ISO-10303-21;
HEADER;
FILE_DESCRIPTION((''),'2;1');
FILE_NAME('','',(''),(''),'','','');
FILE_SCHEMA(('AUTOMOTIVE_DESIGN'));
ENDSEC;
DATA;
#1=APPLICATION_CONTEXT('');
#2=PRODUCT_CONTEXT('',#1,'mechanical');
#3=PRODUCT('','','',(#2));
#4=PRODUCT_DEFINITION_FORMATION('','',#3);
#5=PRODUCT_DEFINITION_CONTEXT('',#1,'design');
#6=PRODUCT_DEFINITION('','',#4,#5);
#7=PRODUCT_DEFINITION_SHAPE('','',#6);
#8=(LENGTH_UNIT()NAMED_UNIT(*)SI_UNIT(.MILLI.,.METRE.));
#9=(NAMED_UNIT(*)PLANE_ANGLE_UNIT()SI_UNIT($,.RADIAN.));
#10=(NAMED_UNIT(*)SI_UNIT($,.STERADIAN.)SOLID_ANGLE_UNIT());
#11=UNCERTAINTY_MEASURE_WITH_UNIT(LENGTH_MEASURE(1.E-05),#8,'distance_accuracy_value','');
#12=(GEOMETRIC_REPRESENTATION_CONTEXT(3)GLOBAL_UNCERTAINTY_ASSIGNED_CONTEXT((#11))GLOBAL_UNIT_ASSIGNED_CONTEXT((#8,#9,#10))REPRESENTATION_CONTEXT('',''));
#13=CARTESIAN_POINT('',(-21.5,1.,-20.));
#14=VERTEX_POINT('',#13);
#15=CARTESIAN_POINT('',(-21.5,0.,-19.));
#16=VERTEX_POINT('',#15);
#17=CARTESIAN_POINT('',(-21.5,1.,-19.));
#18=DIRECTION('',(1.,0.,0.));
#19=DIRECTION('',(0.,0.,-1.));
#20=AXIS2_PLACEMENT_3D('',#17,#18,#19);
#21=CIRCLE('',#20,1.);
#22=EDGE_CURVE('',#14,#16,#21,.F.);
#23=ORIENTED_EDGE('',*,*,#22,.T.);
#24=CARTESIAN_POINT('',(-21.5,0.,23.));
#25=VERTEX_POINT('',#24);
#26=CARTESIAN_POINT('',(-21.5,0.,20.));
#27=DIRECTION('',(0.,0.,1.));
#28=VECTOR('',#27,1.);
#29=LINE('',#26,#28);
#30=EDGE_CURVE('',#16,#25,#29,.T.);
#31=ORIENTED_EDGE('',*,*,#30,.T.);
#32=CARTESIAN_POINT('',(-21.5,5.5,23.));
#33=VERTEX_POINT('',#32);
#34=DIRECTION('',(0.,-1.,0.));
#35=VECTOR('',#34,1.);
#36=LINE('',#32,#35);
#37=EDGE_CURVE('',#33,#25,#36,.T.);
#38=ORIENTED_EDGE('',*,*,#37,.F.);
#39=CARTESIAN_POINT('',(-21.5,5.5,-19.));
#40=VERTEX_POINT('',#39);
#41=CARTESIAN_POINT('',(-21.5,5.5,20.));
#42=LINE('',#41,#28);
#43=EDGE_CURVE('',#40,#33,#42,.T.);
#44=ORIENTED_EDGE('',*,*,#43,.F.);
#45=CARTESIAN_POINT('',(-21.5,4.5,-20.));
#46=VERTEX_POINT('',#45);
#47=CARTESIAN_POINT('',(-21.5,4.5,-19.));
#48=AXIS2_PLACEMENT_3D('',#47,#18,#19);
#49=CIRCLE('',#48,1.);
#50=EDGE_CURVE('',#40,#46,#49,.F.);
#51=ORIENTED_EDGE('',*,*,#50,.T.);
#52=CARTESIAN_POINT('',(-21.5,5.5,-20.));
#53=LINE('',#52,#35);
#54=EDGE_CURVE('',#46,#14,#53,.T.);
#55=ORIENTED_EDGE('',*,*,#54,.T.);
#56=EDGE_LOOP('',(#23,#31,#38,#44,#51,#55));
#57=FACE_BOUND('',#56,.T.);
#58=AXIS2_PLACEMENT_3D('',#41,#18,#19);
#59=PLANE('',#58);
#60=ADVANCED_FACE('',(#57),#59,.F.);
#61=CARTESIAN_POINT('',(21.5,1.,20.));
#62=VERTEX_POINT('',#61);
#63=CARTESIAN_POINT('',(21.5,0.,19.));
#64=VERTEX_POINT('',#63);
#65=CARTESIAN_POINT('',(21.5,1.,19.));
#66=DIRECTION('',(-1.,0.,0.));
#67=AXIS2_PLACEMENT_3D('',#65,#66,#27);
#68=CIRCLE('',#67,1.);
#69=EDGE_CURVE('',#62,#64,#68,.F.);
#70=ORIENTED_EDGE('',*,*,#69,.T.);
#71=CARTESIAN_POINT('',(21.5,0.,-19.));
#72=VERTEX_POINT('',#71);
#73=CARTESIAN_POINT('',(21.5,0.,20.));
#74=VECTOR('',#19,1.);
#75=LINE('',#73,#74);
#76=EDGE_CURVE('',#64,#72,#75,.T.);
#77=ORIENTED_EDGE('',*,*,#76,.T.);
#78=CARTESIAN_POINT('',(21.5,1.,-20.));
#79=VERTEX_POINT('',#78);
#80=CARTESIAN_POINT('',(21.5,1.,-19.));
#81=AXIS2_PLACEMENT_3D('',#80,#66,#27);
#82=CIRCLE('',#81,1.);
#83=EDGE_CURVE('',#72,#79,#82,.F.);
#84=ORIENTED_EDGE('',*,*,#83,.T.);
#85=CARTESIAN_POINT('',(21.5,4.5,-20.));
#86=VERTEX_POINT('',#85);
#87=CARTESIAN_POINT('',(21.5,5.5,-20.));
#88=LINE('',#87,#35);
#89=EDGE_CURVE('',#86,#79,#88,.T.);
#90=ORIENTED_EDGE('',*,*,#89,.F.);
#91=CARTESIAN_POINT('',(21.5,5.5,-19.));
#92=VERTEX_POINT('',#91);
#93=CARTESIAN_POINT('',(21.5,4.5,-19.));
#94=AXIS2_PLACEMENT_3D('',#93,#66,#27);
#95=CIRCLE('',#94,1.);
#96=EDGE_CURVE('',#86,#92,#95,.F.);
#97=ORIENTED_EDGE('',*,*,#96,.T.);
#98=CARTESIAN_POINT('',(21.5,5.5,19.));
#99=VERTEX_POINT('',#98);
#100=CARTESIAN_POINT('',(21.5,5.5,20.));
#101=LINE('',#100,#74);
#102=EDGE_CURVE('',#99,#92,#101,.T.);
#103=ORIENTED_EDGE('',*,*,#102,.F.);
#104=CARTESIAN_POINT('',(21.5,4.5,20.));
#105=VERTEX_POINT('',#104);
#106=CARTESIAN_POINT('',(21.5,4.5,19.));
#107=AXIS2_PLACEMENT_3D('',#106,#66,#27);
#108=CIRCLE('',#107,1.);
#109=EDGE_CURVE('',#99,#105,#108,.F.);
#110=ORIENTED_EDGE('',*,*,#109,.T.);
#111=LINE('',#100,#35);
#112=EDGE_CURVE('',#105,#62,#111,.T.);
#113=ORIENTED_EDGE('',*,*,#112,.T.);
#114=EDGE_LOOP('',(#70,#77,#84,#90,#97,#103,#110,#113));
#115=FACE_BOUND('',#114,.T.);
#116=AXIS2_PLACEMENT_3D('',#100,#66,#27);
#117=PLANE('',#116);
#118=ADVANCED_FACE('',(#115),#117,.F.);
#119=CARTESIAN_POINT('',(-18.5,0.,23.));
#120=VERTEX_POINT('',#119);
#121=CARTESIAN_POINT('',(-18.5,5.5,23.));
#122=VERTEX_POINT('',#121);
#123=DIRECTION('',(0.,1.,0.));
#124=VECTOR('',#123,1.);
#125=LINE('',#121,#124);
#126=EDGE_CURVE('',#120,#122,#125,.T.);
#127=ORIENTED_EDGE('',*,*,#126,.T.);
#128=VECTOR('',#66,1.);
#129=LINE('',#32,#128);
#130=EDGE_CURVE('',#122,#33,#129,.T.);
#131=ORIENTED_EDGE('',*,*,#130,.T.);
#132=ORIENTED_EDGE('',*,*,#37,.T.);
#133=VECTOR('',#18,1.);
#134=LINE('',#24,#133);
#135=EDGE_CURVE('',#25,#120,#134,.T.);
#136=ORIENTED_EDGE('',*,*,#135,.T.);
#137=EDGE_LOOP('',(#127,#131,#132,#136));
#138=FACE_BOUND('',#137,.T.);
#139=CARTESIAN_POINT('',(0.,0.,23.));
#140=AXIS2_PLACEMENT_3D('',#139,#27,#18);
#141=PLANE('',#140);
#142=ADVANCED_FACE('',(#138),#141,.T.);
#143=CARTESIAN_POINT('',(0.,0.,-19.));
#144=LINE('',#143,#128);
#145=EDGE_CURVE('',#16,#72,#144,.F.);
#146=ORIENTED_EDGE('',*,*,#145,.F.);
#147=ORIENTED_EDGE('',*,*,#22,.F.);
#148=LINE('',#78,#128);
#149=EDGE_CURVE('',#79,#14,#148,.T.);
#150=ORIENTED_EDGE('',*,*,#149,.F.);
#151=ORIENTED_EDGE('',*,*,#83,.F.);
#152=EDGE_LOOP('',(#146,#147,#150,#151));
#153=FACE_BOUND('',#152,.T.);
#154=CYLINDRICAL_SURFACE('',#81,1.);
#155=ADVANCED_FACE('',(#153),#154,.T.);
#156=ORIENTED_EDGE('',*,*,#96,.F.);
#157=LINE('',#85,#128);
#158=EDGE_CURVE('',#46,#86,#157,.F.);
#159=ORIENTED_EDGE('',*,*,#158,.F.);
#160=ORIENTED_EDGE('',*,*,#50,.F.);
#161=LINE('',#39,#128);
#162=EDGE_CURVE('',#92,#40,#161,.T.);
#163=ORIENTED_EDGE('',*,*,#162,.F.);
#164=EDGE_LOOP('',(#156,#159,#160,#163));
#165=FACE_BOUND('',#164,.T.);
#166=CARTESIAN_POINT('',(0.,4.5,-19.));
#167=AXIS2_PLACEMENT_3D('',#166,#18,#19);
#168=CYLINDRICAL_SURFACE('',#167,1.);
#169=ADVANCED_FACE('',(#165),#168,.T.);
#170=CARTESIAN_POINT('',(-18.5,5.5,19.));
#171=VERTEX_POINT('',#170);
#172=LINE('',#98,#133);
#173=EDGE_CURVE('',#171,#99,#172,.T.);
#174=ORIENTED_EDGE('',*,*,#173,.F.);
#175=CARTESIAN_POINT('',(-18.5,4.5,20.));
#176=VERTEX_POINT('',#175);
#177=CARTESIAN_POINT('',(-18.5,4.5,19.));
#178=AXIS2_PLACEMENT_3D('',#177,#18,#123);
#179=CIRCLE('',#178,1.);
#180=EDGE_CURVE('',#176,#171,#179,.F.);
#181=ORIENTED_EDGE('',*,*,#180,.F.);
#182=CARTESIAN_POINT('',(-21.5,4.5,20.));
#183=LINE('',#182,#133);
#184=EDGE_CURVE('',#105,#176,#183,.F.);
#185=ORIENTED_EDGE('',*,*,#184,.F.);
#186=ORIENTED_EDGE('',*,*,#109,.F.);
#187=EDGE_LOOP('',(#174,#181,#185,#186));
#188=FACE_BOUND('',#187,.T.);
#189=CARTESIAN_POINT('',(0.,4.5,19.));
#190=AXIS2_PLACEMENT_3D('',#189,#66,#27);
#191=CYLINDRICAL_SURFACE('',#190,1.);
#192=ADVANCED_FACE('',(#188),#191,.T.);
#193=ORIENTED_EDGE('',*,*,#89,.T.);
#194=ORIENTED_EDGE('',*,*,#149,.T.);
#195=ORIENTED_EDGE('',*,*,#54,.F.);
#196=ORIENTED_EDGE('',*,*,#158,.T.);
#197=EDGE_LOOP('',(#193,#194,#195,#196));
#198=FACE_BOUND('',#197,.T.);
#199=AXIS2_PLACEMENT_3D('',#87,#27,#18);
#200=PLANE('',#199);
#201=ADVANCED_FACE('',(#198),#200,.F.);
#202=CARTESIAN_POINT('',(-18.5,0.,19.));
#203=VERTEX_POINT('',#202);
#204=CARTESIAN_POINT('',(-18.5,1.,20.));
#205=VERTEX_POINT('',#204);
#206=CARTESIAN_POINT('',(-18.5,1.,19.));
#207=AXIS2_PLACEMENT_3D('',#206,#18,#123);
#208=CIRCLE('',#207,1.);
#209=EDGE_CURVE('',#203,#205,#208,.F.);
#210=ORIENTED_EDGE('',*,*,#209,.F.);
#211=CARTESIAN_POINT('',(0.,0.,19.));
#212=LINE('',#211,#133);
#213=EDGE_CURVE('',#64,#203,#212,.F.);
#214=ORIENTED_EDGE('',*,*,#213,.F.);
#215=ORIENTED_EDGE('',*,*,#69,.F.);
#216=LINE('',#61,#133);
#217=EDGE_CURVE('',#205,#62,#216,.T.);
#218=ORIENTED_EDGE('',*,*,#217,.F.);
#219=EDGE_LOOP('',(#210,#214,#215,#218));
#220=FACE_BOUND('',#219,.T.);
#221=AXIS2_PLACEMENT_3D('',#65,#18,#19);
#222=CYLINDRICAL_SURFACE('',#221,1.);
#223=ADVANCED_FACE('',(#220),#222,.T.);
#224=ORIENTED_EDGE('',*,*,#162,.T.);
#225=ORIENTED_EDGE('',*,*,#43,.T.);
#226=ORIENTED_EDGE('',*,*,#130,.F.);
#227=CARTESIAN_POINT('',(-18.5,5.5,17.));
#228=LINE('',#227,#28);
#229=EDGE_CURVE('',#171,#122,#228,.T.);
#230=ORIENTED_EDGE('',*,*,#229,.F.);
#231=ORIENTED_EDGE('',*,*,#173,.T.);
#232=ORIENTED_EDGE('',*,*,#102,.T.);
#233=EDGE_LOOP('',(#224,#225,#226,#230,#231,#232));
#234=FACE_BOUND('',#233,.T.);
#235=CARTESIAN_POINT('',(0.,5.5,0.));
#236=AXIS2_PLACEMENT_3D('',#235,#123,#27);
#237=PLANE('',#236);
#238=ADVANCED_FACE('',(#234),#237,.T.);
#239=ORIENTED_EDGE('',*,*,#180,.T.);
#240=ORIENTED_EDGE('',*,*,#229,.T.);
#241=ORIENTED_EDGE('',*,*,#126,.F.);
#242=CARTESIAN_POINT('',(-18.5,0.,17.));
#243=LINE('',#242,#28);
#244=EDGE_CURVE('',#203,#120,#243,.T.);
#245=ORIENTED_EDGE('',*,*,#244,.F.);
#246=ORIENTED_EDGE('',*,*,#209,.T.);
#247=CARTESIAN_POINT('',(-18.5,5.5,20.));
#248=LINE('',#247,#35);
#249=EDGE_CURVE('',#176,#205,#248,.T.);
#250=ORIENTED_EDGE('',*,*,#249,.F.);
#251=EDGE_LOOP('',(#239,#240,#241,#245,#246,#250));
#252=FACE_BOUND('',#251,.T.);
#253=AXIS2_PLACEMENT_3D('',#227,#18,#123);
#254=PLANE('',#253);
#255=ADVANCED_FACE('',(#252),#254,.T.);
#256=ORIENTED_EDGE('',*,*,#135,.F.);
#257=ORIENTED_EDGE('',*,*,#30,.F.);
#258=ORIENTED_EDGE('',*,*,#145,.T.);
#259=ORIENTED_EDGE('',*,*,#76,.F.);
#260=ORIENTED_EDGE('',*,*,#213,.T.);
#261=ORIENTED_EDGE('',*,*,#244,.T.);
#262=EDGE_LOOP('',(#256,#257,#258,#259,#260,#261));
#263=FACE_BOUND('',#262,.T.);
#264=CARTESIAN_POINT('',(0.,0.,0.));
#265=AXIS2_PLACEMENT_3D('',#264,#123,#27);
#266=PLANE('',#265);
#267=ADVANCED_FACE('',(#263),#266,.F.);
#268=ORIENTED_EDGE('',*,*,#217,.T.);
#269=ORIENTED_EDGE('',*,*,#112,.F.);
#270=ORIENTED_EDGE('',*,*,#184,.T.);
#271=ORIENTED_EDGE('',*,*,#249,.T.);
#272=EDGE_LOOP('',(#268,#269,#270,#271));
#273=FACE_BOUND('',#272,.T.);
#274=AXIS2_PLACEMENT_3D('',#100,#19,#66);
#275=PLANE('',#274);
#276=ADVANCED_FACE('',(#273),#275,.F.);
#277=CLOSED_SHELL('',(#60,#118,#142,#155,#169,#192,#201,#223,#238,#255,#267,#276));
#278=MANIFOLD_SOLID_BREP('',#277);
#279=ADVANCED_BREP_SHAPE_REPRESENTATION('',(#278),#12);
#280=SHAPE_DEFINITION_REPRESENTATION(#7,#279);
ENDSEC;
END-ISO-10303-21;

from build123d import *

# Parameters (mm, degrees)
SKETCH1_W                = 43
SKETCH1_H                = 40
BOSS_EXTRUDE1_DEPTH      = 5.5
FILLET1_R                = 1
SKETCH2_W                = 3
SKETCH2_H                = 5.5
BOSS_EXTRUDE2_DEPTH      = 3
BOSS_EXTRUDE2_DEPTH_BACK = 3


with BuildPart() as part:
    # Sketch1 → Boss-Extrude1 (new body)
    with BuildSketch(Plane(origin=(0, 0, 0), x_dir=(1, 0, 0), z_dir=(0, 1, 0))):
        Rectangle(SKETCH1_W, SKETCH1_H)
    extrude(amount=BOSS_EXTRUDE1_DEPTH)

    # Fillet1
    fillet1_edges = [part.edges().sort_by_distance(p)[0] for p in [
        (0, 5.5, -20),
        (0, 0, -20),
        (0, 0, 20),
        (0, 5.5, 20),
    ]]
    fillet(fillet1_edges, radius=FILLET1_R)

    # Sketch2 → Boss-Extrude2 (add, two sides)
    with BuildSketch(Plane.XY.offset(20)) as boss_extrude2_sk:
        with Locations((-20, 2.75)):
            Rectangle(SKETCH2_W, SKETCH2_H)
    extrude(amount=BOSS_EXTRUDE2_DEPTH)
    extrude(boss_extrude2_sk.sketch, amount=-BOSS_EXTRUDE2_DEPTH_BACK)


solid = part.part
